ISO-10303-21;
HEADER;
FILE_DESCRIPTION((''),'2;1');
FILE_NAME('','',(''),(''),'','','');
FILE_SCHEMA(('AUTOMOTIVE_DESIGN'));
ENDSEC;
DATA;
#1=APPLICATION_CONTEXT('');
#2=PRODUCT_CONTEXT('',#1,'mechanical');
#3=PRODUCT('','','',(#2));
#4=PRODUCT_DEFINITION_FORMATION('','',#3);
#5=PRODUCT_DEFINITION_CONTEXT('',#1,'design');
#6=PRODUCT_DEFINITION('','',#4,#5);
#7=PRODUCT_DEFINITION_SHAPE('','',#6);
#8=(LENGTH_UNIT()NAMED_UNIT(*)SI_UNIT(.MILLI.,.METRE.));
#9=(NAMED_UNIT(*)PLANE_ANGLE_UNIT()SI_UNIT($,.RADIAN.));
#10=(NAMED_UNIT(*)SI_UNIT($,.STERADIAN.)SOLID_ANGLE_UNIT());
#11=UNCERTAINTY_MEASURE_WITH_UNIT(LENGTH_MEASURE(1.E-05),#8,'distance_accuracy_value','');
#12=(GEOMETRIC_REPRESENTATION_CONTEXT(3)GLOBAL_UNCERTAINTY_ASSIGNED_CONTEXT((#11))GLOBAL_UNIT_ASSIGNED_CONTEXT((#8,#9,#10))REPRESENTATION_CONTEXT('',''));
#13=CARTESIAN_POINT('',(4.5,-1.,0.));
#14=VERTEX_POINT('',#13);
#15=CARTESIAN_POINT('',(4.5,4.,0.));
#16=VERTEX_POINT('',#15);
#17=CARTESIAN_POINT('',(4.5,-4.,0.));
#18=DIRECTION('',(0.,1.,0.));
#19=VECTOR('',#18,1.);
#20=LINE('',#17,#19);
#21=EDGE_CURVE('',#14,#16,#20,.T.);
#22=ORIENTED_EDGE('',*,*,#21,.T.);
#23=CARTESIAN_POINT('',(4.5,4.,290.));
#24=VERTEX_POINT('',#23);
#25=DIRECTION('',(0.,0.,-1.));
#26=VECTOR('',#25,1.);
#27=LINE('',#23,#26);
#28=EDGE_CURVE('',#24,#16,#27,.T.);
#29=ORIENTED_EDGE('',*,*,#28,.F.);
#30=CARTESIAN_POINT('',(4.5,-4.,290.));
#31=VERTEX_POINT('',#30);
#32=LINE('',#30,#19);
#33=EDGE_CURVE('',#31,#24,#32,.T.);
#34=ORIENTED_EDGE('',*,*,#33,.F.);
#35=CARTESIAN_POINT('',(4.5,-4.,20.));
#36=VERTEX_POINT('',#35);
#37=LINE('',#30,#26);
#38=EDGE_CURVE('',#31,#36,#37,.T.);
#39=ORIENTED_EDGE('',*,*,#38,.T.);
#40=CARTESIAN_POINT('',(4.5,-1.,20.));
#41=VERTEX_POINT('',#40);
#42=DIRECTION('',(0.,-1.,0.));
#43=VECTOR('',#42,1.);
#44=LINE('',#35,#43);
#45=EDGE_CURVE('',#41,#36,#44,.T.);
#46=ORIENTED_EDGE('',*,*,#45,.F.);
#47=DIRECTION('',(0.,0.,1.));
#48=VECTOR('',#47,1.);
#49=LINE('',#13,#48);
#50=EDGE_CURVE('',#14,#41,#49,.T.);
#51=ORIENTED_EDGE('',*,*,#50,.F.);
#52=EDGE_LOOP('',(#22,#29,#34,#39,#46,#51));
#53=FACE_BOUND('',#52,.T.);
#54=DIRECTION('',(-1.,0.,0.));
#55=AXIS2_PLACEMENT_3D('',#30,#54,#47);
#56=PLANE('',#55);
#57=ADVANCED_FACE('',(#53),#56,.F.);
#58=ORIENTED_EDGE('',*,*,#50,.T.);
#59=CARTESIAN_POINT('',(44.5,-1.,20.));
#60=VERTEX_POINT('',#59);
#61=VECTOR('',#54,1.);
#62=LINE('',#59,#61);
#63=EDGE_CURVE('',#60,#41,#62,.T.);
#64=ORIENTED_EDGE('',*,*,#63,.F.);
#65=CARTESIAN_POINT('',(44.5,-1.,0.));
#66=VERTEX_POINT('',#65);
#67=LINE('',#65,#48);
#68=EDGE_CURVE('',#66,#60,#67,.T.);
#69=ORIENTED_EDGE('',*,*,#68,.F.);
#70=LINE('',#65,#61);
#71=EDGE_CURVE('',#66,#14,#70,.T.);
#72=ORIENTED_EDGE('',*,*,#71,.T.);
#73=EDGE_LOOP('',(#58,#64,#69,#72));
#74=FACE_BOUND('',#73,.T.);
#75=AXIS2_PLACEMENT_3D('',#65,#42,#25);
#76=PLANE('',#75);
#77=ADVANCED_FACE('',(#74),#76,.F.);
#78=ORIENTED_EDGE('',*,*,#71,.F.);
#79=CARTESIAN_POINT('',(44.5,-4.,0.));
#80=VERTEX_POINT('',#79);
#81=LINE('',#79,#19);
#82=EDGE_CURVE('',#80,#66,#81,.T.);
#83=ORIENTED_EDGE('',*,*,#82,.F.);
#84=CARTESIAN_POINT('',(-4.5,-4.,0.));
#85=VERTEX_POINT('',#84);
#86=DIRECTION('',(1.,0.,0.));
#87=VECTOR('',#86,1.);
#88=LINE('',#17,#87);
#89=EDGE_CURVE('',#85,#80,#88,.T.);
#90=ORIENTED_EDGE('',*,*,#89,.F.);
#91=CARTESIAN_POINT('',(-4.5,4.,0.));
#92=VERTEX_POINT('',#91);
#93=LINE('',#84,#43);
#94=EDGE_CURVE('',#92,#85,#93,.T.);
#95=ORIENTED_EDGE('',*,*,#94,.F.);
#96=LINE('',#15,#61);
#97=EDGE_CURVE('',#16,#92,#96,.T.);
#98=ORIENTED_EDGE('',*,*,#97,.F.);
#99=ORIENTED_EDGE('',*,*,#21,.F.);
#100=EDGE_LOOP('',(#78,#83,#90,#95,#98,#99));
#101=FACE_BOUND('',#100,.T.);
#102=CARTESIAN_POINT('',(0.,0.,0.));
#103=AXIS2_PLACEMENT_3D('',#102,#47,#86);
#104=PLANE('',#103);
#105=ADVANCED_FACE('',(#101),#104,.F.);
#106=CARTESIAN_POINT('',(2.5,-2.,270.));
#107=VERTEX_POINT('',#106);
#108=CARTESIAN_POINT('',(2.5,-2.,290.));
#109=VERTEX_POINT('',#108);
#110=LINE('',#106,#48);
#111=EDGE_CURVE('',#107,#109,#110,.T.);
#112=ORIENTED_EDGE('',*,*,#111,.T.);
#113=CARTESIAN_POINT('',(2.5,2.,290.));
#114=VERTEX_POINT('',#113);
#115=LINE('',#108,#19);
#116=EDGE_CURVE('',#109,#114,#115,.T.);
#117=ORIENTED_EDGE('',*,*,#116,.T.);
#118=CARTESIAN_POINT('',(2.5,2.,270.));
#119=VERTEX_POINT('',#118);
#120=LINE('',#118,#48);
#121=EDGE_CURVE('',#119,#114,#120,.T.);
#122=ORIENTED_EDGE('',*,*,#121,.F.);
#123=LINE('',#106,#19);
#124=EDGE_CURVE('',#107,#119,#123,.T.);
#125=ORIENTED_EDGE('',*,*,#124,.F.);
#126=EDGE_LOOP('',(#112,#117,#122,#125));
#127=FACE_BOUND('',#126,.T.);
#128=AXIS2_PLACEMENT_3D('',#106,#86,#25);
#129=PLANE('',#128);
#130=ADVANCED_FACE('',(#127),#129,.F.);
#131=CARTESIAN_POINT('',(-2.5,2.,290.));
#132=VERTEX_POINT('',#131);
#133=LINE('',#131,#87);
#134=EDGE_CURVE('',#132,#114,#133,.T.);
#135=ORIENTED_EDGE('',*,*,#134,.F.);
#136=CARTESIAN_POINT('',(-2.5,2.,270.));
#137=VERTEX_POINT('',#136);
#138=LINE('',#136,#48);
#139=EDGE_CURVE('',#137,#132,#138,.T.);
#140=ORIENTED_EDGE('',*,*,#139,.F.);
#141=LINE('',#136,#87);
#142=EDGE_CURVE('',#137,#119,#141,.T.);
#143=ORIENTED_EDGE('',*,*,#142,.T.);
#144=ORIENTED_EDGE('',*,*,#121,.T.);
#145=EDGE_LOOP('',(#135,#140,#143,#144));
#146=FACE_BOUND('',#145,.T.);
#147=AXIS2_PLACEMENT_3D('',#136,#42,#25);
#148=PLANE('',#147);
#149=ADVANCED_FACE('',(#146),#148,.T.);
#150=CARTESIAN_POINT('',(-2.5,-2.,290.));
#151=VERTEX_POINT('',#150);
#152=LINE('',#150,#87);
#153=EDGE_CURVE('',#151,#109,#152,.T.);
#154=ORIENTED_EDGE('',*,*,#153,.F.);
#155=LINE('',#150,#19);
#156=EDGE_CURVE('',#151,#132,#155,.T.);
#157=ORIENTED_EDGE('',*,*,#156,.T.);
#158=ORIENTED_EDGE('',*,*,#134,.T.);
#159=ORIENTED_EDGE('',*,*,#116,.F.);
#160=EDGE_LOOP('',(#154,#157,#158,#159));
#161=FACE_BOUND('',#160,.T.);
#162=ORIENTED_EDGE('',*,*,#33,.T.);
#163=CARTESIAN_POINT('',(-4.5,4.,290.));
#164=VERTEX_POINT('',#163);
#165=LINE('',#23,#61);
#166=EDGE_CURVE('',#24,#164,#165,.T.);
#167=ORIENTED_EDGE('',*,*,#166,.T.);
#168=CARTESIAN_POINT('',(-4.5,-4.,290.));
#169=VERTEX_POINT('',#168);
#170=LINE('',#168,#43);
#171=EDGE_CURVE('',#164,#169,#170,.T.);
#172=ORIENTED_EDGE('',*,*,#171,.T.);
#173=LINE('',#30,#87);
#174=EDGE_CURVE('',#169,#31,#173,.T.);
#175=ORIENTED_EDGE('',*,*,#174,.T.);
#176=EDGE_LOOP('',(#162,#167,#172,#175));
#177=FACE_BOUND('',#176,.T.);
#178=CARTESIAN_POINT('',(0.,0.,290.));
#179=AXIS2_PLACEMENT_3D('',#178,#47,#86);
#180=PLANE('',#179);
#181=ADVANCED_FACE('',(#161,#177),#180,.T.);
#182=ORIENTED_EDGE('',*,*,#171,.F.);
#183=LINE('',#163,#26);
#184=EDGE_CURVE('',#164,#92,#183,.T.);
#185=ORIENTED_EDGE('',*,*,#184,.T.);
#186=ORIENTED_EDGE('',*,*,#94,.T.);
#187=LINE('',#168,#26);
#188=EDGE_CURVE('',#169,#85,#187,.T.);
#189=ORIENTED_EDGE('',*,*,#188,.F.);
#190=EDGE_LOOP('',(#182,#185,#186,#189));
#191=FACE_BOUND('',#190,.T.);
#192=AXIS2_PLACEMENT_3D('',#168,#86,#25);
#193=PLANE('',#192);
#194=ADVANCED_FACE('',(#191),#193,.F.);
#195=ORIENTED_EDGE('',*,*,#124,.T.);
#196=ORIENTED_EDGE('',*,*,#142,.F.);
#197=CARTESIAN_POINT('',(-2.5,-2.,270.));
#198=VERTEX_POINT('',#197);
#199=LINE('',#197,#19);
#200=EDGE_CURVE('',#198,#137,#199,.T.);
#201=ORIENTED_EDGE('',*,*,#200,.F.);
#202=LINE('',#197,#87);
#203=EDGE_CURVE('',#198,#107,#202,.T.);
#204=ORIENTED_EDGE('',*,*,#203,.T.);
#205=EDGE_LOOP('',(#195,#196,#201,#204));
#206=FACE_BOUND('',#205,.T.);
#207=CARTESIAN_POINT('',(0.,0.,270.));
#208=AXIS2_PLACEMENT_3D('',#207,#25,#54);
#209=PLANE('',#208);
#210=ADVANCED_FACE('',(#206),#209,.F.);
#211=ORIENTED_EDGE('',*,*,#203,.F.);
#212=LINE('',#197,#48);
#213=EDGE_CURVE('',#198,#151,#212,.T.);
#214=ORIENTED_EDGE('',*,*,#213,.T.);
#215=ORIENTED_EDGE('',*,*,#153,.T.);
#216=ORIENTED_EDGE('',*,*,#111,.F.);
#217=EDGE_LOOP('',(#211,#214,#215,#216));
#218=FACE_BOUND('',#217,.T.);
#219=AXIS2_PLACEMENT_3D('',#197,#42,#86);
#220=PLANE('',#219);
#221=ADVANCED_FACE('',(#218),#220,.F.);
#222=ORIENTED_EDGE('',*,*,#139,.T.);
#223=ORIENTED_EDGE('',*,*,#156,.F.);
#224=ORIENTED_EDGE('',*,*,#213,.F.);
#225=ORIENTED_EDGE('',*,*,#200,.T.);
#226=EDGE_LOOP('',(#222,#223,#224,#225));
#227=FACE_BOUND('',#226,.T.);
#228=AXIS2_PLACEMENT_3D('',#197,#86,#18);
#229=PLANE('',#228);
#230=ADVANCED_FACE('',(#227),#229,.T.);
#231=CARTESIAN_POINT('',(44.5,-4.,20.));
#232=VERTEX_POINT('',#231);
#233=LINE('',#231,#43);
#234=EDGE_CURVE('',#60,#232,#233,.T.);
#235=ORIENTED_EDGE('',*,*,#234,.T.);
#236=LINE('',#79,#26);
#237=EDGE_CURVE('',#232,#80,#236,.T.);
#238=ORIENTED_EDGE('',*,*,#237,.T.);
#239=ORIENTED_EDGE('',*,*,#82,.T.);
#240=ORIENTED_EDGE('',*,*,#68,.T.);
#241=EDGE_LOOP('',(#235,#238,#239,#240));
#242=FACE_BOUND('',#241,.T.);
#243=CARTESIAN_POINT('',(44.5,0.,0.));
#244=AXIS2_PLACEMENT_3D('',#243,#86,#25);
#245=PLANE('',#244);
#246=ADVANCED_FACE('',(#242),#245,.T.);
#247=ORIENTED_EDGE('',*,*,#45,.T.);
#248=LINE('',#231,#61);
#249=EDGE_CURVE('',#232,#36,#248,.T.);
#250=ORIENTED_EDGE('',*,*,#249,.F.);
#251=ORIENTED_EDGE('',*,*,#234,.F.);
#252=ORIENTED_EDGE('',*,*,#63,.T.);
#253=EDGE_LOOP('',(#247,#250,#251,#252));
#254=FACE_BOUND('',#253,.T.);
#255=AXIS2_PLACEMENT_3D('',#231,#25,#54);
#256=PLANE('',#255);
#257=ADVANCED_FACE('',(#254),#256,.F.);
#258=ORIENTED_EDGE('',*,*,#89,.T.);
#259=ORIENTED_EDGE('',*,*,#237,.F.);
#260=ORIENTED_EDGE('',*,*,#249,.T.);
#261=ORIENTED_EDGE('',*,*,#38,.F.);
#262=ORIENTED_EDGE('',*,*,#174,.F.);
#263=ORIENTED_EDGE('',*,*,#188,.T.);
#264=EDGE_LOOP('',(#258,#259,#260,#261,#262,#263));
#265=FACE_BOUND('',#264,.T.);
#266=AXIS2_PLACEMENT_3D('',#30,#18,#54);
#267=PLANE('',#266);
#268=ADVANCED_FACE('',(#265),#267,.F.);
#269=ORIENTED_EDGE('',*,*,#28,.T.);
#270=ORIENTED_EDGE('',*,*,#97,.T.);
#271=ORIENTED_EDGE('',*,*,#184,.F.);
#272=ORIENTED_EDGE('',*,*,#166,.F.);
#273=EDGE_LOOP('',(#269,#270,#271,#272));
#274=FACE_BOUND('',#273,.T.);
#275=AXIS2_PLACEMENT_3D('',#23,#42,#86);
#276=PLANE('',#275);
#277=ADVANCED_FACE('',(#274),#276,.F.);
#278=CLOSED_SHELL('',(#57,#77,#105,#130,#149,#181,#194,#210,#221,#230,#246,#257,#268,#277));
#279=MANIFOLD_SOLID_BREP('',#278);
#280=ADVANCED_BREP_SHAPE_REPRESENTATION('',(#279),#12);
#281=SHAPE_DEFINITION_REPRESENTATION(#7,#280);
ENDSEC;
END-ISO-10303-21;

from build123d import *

# Parameters (mm, degrees)
SKETCH1_W           = 9
SKETCH1_H           = 8
BOSS_EXTRUDE1_DEPTH = 290
SKETCH2_W           = 20
SKETCH2_H           = 3
BOSS_EXTRUDE2_DEPTH = 40
SKETCH3_W           = 5
SKETCH3_H           = 4
CUT_EXTRUDE1_DEPTH  = 20


with BuildPart() as part:
    # Sketch1 → Boss-Extrude1 (new body)
    with BuildSketch(Plane.XY):
        Rectangle(SKETCH1_W, SKETCH1_H)
    extrude(amount=BOSS_EXTRUDE1_DEPTH)

    # Sketch2 → Boss-Extrude2 (add)
    with BuildSketch(Plane(origin=(4.5, 0, 0), x_dir=(0, 0, -1), z_dir=(1, 0, 0))):
        with Locations((-10, -2.5)):
            Rectangle(SKETCH2_W, SKETCH2_H)
    extrude(amount=BOSS_EXTRUDE2_DEPTH)

    # Sketch3 → Cut-Extrude1 (cut)
    with BuildSketch(Plane.XY.offset(290)):
        Rectangle(SKETCH3_W, SKETCH3_H)
    extrude(amount=-CUT_EXTRUDE1_DEPTH, mode=Mode.SUBTRACT)


solid = part.part
